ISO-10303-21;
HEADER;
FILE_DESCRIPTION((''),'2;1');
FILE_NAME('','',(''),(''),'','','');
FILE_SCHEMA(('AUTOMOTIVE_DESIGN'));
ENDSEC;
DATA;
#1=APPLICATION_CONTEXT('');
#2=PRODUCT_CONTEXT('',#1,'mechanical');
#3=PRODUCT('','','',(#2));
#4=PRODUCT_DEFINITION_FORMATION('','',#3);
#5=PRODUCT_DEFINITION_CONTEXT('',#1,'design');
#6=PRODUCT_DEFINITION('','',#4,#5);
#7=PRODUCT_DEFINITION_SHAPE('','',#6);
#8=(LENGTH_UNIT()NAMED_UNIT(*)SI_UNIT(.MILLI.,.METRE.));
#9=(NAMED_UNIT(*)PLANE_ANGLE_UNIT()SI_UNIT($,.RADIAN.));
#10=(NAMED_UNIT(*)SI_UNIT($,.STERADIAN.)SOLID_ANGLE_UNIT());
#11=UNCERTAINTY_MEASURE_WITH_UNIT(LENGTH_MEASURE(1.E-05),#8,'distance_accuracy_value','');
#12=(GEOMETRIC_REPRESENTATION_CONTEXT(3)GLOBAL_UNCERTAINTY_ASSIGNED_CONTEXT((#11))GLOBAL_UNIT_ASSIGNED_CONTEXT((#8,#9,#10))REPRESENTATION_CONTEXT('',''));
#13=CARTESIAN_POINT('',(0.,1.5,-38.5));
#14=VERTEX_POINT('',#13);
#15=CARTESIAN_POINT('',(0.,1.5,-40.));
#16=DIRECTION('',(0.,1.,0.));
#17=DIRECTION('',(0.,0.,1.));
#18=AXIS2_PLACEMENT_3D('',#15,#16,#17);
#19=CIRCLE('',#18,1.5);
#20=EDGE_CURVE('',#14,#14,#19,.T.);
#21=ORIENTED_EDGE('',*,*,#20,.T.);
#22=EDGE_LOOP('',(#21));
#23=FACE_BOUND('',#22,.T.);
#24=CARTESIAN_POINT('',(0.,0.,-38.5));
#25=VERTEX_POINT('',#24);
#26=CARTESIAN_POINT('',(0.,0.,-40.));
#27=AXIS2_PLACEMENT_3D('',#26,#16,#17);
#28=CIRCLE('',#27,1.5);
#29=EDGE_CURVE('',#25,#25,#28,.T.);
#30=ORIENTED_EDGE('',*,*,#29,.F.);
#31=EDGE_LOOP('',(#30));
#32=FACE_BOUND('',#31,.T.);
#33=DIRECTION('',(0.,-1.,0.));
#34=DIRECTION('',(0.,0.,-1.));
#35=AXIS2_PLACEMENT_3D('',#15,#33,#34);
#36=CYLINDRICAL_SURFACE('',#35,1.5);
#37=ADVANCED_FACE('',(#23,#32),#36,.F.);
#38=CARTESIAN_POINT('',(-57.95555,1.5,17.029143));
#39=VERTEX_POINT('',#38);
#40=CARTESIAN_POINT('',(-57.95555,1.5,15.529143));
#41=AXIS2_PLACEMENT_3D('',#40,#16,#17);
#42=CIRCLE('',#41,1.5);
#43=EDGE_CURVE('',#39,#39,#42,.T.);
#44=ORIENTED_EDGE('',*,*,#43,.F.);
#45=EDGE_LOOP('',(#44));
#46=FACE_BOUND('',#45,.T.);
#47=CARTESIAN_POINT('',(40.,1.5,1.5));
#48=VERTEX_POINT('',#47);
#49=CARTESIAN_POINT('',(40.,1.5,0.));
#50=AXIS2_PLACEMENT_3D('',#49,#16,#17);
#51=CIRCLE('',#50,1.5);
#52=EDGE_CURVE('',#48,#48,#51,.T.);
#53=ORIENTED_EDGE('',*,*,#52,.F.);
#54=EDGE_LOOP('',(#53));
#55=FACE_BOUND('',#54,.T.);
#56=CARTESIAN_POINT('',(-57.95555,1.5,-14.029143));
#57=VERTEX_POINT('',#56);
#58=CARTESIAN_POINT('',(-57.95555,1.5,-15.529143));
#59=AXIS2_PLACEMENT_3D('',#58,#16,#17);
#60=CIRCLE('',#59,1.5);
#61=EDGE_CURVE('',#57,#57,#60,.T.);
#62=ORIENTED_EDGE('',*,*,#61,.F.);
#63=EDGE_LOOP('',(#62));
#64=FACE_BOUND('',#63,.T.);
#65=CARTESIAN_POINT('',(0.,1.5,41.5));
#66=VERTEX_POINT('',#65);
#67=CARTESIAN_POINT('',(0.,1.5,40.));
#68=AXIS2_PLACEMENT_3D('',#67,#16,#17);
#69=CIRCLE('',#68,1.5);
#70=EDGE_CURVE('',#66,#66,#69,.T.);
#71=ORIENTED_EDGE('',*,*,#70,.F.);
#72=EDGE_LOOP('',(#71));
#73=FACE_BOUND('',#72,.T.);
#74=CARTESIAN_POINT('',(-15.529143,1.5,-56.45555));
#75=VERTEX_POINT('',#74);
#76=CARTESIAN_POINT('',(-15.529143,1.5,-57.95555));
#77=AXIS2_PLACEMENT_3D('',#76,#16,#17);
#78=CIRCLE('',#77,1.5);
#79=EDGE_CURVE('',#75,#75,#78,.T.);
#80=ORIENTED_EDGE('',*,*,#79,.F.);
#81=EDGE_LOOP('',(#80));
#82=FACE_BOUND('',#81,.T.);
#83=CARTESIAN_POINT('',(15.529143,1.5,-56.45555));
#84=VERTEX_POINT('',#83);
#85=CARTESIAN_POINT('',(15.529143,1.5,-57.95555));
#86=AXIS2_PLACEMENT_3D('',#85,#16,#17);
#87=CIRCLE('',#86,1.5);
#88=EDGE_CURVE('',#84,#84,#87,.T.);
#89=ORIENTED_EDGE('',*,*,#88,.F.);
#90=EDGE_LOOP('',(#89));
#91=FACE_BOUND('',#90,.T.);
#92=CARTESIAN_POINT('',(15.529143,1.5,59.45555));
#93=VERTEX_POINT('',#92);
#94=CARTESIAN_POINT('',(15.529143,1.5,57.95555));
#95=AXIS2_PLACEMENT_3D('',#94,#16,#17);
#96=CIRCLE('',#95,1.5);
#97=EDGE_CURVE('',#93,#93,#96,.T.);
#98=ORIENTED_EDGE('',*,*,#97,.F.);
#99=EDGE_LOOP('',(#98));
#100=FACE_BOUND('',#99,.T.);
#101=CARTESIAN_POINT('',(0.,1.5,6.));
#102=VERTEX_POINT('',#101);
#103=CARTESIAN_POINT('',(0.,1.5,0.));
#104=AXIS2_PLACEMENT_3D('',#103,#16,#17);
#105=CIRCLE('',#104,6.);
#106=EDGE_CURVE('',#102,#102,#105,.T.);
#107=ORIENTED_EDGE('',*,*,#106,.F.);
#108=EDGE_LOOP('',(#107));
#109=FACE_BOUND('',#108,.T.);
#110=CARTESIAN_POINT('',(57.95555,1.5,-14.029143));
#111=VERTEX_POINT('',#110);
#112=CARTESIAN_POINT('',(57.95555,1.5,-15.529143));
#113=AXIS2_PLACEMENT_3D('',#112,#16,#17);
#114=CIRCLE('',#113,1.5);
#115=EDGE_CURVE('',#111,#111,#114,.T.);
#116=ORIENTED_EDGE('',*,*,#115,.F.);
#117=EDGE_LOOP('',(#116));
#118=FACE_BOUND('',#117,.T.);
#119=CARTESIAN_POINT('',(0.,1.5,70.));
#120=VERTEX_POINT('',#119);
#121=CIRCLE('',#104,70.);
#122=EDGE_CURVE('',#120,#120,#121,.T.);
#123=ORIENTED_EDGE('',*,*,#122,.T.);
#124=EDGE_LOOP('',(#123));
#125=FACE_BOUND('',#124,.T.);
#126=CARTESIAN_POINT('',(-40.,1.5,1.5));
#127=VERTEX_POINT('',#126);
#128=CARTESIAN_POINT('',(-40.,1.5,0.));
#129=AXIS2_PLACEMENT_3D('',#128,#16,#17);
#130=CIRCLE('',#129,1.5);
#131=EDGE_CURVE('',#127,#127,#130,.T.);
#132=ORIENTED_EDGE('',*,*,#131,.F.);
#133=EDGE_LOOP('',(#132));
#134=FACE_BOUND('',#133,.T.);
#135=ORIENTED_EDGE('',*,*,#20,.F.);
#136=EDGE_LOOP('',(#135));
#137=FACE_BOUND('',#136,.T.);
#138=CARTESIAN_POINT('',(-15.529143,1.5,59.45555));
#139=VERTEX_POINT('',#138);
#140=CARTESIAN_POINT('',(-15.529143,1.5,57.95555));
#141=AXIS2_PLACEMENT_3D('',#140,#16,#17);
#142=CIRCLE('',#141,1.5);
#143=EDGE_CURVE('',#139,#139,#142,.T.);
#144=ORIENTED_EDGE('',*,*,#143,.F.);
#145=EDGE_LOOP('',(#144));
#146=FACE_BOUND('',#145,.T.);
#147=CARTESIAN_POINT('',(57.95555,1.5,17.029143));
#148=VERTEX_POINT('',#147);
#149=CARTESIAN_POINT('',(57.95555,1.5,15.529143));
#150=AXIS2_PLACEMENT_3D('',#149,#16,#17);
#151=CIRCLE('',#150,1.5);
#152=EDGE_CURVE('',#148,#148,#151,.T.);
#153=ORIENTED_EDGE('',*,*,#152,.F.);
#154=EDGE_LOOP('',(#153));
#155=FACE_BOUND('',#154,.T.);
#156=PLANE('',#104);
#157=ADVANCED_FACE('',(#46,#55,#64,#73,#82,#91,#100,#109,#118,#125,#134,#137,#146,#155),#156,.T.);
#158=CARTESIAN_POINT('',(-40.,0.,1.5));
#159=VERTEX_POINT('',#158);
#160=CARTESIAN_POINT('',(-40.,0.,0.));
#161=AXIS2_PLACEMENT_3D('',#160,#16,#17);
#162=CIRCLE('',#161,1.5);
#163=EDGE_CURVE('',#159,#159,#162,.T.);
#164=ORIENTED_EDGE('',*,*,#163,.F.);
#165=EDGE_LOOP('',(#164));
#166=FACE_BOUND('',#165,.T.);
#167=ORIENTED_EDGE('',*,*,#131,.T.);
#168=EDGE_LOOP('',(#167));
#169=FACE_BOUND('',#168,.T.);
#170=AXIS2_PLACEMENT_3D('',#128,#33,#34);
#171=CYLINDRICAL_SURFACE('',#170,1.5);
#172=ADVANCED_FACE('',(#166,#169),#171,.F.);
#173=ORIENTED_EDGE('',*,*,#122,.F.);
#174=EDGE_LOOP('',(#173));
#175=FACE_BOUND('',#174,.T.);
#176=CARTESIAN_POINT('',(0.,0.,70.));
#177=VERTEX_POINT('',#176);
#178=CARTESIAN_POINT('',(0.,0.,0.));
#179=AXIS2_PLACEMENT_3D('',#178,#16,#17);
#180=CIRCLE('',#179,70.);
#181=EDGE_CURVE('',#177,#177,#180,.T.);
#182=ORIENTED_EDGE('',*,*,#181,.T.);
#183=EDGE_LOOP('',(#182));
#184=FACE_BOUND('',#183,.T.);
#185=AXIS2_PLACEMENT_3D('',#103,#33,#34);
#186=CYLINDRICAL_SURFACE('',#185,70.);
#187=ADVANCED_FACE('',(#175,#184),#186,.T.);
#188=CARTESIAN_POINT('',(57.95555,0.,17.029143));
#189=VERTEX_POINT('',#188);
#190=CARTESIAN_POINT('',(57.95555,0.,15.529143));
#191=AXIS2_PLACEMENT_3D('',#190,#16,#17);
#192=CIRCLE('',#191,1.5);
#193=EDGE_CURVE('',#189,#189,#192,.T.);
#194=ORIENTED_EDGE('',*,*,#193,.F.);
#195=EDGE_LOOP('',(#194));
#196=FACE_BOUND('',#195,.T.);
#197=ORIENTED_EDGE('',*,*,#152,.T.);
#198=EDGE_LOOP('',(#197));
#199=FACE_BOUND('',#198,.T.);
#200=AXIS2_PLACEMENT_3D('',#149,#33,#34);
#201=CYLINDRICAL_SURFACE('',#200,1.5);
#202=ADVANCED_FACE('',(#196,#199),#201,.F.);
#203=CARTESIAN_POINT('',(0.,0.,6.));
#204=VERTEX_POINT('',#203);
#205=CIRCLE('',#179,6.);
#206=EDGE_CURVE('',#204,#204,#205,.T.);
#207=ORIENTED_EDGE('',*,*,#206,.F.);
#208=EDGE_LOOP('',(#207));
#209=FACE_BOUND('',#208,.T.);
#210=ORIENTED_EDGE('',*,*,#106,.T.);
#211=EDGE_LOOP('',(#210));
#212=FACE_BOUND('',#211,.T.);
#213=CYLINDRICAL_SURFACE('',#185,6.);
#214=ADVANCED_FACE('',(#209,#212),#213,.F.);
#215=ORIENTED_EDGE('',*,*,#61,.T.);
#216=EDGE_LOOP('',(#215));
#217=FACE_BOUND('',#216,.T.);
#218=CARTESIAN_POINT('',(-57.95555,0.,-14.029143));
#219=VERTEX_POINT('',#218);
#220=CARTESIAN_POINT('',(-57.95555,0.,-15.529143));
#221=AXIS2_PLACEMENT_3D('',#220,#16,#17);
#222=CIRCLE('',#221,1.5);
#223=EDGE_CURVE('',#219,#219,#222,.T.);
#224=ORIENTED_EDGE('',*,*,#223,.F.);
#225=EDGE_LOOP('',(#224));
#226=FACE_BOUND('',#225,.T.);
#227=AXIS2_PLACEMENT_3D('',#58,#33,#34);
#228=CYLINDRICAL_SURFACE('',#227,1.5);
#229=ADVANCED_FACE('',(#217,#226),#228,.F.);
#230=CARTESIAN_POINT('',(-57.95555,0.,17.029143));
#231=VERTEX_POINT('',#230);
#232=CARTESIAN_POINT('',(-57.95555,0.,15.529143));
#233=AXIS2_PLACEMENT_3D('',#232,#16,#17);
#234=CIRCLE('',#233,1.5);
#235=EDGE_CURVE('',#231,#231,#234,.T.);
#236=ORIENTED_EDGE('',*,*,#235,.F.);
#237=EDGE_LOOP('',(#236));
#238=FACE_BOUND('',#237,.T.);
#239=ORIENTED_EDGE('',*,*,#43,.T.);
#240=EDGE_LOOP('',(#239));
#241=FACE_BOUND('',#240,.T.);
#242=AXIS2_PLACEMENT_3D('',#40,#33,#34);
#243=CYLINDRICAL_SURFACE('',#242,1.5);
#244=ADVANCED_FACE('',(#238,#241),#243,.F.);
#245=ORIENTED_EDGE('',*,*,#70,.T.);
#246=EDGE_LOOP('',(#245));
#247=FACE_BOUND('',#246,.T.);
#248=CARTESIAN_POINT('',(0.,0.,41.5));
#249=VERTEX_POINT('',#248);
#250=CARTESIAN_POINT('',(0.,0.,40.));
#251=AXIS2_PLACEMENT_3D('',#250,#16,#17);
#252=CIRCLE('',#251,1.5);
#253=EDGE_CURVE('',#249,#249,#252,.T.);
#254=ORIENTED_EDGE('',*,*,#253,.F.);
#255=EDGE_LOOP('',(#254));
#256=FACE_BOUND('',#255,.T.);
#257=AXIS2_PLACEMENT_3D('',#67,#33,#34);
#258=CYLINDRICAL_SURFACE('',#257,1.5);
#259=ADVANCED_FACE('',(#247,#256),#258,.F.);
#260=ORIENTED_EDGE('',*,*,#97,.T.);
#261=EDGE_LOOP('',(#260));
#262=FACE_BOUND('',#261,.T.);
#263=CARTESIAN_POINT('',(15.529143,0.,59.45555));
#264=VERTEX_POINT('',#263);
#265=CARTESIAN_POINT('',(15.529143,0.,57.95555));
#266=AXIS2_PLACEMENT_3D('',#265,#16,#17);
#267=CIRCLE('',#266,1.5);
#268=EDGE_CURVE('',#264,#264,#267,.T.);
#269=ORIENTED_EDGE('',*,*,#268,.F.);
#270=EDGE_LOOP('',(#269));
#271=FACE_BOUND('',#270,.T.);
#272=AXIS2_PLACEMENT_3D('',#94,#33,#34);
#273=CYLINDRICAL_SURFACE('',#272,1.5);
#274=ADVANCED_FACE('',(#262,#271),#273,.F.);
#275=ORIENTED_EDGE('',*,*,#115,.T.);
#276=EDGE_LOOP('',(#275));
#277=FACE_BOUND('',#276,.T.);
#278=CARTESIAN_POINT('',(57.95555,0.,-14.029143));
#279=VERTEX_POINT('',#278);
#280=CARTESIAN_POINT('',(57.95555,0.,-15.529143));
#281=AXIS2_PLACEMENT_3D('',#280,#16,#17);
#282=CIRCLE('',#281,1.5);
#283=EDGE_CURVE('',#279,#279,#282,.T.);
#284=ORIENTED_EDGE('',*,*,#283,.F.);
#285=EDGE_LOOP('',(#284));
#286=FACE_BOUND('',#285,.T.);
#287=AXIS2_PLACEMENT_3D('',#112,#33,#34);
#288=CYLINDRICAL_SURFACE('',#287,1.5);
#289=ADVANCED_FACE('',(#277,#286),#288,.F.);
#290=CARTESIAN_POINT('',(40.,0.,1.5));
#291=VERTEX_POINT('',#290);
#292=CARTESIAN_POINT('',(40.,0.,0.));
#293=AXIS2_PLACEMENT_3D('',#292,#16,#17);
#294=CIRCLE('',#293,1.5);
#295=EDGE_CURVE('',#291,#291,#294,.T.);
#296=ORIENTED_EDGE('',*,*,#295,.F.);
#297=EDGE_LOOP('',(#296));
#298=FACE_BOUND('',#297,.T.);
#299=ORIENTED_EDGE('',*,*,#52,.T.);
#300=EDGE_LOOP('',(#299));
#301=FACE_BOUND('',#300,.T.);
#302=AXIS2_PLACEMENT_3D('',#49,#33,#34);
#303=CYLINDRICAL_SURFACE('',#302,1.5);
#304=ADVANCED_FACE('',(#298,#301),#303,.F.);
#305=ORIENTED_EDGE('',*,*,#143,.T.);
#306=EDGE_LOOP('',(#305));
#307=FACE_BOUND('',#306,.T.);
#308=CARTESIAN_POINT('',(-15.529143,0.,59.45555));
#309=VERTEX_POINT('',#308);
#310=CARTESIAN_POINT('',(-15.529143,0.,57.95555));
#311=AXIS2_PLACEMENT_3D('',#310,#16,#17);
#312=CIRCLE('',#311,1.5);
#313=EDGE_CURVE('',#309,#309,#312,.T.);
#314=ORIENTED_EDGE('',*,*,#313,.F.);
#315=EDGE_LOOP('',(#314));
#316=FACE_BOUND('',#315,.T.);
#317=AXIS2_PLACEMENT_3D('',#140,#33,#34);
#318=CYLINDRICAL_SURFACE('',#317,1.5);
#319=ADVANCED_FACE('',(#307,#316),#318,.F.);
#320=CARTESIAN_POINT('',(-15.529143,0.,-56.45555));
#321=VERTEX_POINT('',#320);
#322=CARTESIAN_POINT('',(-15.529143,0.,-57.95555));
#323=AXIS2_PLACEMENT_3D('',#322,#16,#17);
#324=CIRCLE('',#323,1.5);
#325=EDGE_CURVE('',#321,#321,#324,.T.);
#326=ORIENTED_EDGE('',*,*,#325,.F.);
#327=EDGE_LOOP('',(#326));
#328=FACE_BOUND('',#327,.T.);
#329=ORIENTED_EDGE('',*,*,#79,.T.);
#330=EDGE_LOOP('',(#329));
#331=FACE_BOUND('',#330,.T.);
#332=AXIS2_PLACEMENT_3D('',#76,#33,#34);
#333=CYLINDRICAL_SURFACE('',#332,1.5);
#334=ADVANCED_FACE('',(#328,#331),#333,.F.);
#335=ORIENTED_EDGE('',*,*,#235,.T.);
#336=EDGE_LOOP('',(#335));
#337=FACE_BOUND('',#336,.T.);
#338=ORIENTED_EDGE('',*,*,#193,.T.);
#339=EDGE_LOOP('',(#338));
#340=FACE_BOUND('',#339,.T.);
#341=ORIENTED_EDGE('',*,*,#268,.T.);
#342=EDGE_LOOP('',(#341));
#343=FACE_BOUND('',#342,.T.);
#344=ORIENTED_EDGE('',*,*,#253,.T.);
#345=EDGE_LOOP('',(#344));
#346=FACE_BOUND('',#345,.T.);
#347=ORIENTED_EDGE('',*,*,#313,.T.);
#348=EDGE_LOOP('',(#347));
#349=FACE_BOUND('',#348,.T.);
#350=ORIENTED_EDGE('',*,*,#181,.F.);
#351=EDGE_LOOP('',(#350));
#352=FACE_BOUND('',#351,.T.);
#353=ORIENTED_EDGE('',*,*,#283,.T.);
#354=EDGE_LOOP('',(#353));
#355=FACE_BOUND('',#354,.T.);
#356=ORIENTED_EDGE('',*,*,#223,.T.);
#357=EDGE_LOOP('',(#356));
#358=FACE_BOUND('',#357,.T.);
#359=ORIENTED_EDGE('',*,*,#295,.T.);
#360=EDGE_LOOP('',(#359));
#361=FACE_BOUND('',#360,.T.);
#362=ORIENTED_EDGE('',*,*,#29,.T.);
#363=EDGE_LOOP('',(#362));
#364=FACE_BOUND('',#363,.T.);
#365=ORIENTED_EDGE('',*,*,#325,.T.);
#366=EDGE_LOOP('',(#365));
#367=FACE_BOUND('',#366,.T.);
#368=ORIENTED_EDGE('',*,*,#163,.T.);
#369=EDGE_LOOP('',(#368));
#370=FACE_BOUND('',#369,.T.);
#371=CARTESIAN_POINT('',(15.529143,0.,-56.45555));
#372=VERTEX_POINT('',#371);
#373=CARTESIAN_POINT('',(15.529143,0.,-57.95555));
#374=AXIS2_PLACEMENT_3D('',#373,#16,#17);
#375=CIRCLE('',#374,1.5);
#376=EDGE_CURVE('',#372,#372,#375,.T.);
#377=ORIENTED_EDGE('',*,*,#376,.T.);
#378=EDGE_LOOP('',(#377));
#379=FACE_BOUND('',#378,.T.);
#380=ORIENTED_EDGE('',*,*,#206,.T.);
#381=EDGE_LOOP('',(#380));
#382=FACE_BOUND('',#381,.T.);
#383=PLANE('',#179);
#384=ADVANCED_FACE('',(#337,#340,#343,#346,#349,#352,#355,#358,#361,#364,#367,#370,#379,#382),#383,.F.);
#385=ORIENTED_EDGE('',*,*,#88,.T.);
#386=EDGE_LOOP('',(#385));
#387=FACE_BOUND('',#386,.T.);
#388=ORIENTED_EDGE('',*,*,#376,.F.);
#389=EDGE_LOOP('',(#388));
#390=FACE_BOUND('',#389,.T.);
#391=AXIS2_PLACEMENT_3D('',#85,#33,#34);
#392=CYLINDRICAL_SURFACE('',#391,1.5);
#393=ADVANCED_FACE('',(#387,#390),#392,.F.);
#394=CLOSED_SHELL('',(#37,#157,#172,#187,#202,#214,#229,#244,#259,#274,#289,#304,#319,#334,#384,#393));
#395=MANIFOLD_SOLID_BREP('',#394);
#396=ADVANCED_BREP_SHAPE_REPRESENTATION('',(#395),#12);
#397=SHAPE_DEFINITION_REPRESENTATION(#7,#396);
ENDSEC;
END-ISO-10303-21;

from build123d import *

# Parameters (mm, degrees)
SKETCH1_R           = 70
SKETCH1_R_2         = 6
SKETCH1_R_3         = 1.5
BOSS_EXTRUDE1_DEPTH = 1.5


with BuildPart() as part:
    # Sketch1 → Boss-Extrude1 (new body)
    with BuildSketch(Plane(origin=(0, 0, 0), x_dir=(1, 0, 0), z_dir=(0, 1, 0))):
        with Locations(Location((0, 0, 0), (0, 0, 270))):
            Circle(SKETCH1_R)
        with Locations(Location((0, 0, 0), (0, 0, 270))):
            Circle(SKETCH1_R_2, mode=Mode.SUBTRACT)
        with Locations(Location((0, 40, 0), (0, 0, 270))):
            Circle(SKETCH1_R_3, mode=Mode.SUBTRACT)
        with Locations(Location((-15.529142706, 57.955549577, 0), (0, 0, 270))):
            Circle(SKETCH1_R_3, mode=Mode.SUBTRACT)
        with Locations(Location((15.529142706, 57.955549577, 0), (0, 0, 270))):
            Circle(SKETCH1_R_3, mode=Mode.SUBTRACT)
        with Locations(Location((40, 0, 0), (0, 0, 270))):
            Circle(SKETCH1_R_3, mode=Mode.SUBTRACT)
        with Locations(Location((57.955549577, 15.529142706, 0), (0, 0, 270))):
            Circle(SKETCH1_R_3, mode=Mode.SUBTRACT)
        with Locations(Location((57.955549577, -15.529142706, 0), (0, 0, 270))):
            Circle(SKETCH1_R_3, mode=Mode.SUBTRACT)
        with Locations(Location((0, -40, 0), (0, 0, 270))):
            Circle(SKETCH1_R_3, mode=Mode.SUBTRACT)
        with Locations(Location((15.529142706, -57.955549577, 0), (0, 0, 270))):
            Circle(SKETCH1_R_3, mode=Mode.SUBTRACT)
        with Locations(Location((-15.529142706, -57.955549577, 0), (0, 0, 270))):
            Circle(SKETCH1_R_3, mode=Mode.SUBTRACT)
        with Locations(Location((-40, 0, 0), (0, 0, 270))):
            Circle(SKETCH1_R_3, mode=Mode.SUBTRACT)
        with Locations(Location((-57.955549577, -15.529142706, 0), (0, 0, 270))):
            Circle(SKETCH1_R_3, mode=Mode.SUBTRACT)
        with Locations(Location((-57.955549577, 15.529142706, 0), (0, 0, 270))):
            Circle(SKETCH1_R_3, mode=Mode.SUBTRACT)
    extrude(amount=BOSS_EXTRUDE1_DEPTH)


solid = part.part
